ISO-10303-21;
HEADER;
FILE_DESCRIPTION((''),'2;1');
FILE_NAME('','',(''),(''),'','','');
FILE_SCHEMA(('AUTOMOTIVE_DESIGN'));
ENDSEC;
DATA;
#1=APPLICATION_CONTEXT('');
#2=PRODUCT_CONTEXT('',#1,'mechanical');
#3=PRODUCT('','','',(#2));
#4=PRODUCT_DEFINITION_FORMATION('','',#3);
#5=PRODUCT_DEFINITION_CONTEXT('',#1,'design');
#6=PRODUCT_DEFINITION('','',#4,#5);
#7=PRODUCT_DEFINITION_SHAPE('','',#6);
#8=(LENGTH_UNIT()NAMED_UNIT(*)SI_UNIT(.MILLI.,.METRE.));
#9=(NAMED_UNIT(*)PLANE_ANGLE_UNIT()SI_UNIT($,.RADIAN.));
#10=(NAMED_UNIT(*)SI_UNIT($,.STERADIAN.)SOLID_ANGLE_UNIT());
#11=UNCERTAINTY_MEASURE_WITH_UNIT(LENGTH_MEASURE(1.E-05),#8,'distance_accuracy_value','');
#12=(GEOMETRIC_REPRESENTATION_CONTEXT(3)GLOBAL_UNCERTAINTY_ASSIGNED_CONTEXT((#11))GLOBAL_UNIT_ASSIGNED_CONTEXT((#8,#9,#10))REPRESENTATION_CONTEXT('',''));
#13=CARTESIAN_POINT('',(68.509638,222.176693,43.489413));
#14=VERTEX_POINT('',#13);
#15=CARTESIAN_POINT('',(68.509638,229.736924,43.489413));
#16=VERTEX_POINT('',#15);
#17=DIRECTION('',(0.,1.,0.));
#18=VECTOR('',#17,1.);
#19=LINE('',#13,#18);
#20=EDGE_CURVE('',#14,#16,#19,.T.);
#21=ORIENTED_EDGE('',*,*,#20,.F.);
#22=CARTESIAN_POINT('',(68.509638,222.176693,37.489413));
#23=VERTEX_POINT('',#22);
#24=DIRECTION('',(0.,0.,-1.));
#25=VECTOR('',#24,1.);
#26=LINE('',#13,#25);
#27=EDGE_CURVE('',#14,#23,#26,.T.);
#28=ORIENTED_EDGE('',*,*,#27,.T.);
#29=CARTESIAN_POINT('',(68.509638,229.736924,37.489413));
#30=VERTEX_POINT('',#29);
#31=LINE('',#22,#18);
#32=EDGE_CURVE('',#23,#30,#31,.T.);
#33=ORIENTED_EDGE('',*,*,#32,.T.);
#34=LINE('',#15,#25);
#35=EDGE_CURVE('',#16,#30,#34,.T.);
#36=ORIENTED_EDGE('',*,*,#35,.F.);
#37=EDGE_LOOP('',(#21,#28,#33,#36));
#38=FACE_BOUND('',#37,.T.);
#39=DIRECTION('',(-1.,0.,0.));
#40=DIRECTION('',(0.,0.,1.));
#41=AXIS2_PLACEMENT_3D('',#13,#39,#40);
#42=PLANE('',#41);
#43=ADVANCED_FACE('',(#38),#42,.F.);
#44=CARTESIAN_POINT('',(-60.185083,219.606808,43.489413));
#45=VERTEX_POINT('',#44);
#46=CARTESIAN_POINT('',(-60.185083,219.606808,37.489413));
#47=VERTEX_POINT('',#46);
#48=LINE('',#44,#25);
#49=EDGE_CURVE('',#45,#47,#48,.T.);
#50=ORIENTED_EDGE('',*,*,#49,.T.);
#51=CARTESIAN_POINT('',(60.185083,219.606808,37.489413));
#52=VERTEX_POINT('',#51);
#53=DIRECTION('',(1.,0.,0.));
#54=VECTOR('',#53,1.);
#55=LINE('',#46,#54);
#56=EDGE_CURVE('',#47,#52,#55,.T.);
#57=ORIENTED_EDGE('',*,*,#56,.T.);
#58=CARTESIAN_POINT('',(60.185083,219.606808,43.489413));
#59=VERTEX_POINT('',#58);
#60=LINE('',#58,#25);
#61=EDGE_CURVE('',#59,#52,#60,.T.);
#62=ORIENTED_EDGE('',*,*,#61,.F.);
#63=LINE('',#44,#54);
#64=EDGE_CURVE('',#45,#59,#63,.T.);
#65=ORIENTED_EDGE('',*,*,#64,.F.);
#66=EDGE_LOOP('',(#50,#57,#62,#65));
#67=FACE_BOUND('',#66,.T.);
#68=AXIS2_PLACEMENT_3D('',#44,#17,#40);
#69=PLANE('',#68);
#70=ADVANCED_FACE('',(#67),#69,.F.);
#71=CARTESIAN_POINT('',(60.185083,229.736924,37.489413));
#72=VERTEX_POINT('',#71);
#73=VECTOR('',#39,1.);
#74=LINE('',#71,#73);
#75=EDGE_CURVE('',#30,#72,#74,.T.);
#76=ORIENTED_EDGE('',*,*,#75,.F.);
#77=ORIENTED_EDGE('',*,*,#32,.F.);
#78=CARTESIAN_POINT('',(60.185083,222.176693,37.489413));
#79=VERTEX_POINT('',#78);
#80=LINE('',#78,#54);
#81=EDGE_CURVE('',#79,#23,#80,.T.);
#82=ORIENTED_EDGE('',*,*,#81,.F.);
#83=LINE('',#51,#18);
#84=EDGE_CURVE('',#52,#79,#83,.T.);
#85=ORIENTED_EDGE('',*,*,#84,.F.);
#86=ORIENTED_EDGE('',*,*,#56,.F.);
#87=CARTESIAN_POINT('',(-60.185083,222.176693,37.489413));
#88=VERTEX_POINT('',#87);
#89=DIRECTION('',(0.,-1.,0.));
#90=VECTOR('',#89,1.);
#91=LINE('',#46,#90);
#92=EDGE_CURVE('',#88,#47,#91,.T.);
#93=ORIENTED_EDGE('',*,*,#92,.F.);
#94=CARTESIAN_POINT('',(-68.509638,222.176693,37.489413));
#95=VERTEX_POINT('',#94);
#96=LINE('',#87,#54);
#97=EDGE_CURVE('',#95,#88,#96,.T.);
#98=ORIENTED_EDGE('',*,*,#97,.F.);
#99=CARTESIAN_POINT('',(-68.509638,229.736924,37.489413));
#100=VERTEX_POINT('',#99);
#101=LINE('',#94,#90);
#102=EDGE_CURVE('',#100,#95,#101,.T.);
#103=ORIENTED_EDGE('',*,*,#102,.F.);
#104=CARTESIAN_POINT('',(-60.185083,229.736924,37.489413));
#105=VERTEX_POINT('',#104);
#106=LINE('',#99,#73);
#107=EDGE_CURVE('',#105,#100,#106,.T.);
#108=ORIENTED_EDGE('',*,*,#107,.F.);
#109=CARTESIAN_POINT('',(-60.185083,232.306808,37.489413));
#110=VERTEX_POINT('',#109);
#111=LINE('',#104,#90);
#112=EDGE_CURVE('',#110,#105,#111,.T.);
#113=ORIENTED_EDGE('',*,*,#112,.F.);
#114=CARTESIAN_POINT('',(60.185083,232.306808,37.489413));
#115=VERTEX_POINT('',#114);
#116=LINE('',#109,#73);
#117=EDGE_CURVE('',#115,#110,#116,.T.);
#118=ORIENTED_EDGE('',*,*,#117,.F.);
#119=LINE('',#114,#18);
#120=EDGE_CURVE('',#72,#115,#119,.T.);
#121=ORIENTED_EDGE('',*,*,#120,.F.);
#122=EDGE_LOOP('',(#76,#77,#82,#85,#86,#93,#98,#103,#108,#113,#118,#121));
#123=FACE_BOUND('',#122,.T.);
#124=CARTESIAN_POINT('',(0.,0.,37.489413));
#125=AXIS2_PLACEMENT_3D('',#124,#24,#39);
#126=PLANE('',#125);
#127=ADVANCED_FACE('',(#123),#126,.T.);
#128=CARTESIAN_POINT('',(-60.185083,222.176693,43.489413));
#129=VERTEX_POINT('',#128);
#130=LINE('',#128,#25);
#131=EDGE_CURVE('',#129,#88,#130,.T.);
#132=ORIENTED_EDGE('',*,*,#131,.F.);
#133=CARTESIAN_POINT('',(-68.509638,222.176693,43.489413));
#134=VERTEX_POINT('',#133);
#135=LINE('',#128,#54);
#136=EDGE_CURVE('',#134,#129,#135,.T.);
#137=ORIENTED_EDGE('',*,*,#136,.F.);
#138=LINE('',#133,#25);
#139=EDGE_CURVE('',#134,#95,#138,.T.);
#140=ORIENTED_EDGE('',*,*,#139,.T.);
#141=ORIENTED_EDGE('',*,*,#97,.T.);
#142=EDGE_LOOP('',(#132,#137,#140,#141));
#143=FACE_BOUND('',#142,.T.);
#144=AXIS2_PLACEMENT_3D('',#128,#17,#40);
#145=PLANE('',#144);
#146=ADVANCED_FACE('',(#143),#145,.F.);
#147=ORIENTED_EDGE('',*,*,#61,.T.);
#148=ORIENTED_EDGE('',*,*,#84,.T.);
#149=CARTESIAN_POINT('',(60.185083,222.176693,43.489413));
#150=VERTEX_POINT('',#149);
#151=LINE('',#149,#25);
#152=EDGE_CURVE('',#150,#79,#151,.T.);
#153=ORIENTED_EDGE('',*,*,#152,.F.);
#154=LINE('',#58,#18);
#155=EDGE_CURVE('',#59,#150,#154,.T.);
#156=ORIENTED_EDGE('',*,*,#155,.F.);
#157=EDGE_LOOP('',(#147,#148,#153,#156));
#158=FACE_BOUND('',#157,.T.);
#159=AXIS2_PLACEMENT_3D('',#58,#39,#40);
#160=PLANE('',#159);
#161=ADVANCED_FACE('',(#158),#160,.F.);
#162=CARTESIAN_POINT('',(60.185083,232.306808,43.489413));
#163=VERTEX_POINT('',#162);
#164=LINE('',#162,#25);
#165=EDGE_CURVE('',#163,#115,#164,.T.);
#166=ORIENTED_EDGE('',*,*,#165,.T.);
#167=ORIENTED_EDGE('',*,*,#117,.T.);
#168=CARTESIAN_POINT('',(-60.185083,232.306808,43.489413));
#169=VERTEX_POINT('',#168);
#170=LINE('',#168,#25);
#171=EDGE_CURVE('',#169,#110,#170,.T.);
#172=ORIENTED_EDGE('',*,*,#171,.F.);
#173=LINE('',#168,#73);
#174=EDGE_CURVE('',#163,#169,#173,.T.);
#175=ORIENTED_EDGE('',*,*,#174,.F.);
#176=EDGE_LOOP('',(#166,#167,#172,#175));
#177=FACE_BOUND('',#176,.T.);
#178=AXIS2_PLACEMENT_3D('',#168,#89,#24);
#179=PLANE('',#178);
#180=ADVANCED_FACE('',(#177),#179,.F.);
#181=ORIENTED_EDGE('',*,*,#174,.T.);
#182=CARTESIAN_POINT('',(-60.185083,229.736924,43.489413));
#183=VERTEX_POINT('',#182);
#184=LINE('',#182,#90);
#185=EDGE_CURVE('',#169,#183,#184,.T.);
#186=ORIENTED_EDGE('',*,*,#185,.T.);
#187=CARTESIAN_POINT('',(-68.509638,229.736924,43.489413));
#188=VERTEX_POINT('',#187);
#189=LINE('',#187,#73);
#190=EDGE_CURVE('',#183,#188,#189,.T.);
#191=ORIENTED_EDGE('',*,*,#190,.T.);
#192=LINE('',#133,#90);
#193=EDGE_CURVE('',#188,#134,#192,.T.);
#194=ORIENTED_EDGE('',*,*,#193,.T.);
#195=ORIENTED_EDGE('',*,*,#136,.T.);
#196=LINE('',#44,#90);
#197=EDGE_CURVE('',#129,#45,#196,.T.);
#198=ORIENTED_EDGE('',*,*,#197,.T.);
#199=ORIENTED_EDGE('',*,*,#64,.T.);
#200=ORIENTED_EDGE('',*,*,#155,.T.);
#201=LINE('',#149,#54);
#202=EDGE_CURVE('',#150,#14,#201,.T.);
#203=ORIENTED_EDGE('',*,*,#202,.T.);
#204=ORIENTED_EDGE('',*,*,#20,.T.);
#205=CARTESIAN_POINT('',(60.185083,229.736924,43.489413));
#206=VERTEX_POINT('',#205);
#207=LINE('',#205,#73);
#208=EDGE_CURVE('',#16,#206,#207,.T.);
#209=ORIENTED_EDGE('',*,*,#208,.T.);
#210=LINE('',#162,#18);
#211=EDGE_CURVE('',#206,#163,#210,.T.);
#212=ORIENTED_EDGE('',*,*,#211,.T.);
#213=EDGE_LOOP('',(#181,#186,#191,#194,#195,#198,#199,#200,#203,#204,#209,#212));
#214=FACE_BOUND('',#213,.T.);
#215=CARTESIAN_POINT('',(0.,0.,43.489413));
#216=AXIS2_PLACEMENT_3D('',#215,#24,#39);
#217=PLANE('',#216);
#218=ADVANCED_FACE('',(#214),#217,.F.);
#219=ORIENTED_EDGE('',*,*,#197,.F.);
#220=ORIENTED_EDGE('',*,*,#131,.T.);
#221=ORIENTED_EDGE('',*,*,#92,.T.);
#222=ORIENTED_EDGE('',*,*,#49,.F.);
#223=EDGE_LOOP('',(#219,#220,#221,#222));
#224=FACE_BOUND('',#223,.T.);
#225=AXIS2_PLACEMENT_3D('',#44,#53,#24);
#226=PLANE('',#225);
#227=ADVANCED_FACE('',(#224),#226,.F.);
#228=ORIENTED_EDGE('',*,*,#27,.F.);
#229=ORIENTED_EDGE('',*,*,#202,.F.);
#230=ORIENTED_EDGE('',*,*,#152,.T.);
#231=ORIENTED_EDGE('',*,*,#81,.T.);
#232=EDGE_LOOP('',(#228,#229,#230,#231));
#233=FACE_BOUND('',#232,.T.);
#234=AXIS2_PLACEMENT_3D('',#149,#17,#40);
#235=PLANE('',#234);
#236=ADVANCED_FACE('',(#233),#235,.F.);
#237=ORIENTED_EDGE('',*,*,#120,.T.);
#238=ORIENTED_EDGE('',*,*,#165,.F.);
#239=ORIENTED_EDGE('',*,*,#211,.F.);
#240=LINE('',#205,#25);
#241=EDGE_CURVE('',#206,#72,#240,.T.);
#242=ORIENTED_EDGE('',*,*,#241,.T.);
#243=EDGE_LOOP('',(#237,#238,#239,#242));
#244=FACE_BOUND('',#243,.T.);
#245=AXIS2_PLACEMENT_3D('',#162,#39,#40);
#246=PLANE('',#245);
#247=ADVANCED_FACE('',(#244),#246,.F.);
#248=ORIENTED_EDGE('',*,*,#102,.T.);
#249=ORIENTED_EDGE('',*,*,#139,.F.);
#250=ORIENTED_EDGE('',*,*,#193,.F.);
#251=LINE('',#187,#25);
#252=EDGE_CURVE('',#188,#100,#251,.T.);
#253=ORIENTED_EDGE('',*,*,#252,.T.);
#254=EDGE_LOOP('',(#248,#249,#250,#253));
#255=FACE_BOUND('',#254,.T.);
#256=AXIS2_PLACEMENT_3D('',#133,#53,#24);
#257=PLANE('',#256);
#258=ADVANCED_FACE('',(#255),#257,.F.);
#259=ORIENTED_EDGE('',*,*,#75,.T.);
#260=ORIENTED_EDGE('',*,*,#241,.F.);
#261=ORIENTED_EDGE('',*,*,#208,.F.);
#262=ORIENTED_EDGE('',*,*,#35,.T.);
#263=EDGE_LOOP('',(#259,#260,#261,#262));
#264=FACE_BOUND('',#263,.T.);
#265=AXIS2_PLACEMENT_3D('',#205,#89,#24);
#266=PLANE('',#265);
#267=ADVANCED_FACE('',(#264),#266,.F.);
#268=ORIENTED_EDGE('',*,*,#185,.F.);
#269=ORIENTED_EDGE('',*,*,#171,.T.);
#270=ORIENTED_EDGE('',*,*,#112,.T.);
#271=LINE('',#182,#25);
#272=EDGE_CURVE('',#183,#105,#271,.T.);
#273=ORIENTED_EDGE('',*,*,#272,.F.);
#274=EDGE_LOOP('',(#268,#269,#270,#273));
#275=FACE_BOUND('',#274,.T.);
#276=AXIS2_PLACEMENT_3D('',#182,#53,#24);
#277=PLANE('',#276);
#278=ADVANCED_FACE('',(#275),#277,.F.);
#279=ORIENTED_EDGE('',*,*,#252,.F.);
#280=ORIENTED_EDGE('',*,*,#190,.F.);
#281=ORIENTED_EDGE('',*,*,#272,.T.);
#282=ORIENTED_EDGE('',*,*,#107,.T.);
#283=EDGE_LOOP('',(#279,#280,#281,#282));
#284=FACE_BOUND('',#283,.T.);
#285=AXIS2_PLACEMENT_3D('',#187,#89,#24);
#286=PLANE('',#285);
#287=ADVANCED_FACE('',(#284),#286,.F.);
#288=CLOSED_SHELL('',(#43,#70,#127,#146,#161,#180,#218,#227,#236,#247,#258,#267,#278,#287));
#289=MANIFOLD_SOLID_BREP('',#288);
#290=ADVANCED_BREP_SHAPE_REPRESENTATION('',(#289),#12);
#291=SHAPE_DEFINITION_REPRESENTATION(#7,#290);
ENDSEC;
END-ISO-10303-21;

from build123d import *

# Parameters (mm, degrees)
BOSS_EXTRUDE1_DEPTH = 6


with BuildPart() as part:
    # Sketch2 → Boss-Extrude1 (new body)
    with BuildSketch(Plane.XY.offset(37.489413459)):
        Polygon((-60.185082852, 232.306808404), (60.185082852, 232.306808404), (60.185082852, 229.736923893), (68.509638152, 229.736923893), (68.509638152, 222.176692915), (60.185082852, 222.176692915), (60.185082852, 219.606808404), (-60.185082852, 219.606808404), (-60.185082852, 222.176692915), (-68.509638152, 222.176692915), (-68.509638152, 229.736923893), (-60.185082852, 229.736923893), align=None)
    extrude(amount=BOSS_EXTRUDE1_DEPTH)


solid = part.part
